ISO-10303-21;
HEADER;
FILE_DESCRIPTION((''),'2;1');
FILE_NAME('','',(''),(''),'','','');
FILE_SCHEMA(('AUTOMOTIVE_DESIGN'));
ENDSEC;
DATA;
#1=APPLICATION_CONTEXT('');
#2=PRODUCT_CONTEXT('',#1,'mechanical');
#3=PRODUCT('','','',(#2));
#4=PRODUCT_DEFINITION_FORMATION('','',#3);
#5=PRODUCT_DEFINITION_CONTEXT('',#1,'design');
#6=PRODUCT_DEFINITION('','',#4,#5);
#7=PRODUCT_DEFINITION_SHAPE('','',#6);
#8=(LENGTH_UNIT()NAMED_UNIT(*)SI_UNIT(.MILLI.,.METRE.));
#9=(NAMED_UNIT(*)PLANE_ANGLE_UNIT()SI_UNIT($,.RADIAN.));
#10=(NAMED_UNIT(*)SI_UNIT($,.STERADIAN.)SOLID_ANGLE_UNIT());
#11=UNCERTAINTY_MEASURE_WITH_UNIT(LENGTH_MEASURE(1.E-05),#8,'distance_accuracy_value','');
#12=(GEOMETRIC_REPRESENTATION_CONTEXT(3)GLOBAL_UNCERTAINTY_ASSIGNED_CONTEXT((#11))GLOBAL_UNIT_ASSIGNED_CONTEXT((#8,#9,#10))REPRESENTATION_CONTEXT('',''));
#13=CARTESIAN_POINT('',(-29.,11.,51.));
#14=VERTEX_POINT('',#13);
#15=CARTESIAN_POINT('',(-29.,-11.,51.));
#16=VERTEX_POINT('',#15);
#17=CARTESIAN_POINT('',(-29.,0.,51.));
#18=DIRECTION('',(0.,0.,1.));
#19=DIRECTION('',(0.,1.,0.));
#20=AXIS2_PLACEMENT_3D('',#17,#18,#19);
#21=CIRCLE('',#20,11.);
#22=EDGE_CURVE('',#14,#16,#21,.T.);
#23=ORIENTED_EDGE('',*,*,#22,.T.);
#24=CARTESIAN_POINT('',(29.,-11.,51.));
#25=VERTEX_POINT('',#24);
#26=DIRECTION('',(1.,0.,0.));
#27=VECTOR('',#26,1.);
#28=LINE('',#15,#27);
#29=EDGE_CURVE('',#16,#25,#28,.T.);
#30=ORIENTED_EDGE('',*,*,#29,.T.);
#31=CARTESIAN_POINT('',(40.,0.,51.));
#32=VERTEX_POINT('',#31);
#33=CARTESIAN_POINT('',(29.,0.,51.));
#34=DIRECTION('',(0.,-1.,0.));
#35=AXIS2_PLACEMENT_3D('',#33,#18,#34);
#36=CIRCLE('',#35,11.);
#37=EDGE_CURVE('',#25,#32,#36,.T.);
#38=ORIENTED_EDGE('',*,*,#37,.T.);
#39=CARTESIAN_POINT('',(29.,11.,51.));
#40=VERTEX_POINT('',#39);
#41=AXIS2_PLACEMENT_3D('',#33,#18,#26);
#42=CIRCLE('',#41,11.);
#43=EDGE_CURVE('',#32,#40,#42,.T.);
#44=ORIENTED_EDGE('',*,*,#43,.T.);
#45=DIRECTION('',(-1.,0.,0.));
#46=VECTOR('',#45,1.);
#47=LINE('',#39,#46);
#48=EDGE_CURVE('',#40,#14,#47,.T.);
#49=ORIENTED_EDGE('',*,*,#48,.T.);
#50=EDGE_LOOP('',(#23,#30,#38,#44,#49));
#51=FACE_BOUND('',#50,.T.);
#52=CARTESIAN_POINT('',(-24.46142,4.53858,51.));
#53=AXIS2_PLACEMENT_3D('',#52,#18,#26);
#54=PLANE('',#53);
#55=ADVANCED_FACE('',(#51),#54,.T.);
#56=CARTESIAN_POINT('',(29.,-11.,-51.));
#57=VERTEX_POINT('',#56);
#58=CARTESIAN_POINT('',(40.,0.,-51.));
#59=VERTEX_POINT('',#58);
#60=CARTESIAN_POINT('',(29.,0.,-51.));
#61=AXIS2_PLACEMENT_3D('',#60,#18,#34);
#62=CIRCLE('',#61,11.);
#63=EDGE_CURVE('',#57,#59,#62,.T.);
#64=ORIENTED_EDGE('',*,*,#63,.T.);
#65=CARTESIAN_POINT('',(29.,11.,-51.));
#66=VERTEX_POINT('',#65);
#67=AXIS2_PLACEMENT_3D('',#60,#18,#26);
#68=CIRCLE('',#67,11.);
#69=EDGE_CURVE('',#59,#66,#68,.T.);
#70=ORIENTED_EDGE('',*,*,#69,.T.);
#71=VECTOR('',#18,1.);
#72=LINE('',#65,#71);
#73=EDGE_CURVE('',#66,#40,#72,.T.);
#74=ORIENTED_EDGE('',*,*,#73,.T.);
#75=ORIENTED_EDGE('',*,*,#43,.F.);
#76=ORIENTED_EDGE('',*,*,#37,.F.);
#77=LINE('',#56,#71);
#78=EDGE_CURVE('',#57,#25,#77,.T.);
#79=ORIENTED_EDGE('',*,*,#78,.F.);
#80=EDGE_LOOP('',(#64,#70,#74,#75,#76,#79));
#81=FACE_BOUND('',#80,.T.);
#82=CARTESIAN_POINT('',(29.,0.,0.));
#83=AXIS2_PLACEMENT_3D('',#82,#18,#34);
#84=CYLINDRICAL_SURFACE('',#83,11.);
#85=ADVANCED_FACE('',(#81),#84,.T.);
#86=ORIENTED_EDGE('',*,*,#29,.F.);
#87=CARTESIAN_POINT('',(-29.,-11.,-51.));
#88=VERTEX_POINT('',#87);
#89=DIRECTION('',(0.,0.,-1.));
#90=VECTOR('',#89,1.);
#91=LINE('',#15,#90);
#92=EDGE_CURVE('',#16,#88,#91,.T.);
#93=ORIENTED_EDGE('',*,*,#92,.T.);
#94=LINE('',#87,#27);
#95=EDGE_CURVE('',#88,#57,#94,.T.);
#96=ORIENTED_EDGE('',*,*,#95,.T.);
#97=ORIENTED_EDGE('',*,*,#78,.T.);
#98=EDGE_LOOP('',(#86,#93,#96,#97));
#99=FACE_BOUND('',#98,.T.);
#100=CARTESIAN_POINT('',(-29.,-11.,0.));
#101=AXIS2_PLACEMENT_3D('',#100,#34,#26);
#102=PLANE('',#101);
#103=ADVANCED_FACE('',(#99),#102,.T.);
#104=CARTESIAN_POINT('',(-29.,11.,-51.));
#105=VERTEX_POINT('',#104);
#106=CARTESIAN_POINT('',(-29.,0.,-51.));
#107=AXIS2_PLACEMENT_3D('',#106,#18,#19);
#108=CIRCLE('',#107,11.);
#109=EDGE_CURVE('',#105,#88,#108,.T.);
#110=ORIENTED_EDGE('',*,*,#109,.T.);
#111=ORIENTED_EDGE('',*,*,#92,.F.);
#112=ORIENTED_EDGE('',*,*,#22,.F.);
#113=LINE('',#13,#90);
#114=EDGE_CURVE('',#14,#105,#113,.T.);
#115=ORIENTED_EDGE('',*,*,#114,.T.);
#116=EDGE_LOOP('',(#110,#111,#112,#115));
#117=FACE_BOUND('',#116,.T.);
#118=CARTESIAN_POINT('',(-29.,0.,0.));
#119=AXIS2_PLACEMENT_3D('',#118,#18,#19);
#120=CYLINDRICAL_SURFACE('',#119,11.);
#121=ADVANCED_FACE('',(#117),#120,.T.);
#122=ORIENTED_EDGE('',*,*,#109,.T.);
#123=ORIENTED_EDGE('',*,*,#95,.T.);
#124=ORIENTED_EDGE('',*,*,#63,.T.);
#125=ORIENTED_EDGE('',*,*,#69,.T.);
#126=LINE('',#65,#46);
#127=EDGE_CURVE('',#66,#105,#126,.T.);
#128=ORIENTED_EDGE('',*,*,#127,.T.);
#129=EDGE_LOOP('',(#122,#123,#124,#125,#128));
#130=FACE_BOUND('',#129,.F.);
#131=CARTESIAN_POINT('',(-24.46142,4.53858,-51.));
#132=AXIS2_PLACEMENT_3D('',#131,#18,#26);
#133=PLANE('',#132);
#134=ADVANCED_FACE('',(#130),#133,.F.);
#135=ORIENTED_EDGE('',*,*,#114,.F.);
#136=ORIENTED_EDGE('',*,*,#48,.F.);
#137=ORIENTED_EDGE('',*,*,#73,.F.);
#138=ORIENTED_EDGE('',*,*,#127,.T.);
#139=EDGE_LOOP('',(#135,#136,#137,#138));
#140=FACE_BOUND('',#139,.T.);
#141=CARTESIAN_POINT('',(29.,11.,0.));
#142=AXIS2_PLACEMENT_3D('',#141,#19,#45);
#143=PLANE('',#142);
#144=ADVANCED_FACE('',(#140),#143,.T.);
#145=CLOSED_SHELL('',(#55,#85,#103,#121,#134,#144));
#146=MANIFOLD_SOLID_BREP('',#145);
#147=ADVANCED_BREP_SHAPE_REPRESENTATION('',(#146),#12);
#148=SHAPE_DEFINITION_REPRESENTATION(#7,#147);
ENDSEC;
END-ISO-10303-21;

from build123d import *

# Parameters (mm, degrees)
F1_DEPTH = 51


with BuildPart() as f1:
    # F0 (on Top) → F1 (new body, symmetric)
    with BuildSketch(Plane.XY):
        with BuildLine():
            ThreePointArc((-18, 0), (-21.2218254069, 7.7781745931), (-29, 11))
            Line((-29, 11), (-29, 0))
            Line((-29, 0), (-18, 0))
        make_face()
        with BuildLine():
            Line((29, 11), (-29, 11))
            ThreePointArc((-29, 11), (-21.2218254069, 7.7781745931), (-18, 0))
            Line((-18, 0), (18, 0))
            ThreePointArc((18, 0), (21.2218254069, 7.7781745931), (29, 11))
        make_face()
        with BuildLine():
            Line((-29, 0), (-29, 11))
            ThreePointArc((-29, 11), (-40, 0), (-29, -11))
            Line((-29, -11), (-29, 0))
        make_face()
        with BuildLine():
            ThreePointArc((40, 0), (36.7781745931, 7.7781745931), (29, 11))
            Line((29, 11), (29, 0))
            Line((29, 0), (29, -11))
            ThreePointArc((29, -11), (36.7781745931, -7.7781745931), (40, 0))
        make_face()
        with BuildLine():
            Line((29, 0), (29, 11))
            ThreePointArc((29, 11), (21.2218254069, 7.7781745931), (18, 0))
            Line((18, 0), (29, 0))
        make_face()
        with BuildLine():
            Line((-18, 0), (-29, 0))
            Line((-29, 0), (-29, -11))
            ThreePointArc((-29, -11), (-21.2218254069, -7.7781745931), (-18, 0))
        make_face()
        with BuildLine():
            Line((18, 0), (-18, 0))
            ThreePointArc((-18, 0), (-21.2218254069, -7.7781745931), (-29, -11))
            Line((-29, -11), (29, -11))
            ThreePointArc((29, -11), (21.2218254069, -7.7781745931), (18, 0))
        make_face()
        with BuildLine():
            Line((29, -11), (29, 0))
            Line((29, 0), (18, 0))
            ThreePointArc((18, 0), (21.2218254069, -7.7781745931), (29, -11))
        make_face()
    extrude(amount=F1_DEPTH, both=True)


solid = f1.part
